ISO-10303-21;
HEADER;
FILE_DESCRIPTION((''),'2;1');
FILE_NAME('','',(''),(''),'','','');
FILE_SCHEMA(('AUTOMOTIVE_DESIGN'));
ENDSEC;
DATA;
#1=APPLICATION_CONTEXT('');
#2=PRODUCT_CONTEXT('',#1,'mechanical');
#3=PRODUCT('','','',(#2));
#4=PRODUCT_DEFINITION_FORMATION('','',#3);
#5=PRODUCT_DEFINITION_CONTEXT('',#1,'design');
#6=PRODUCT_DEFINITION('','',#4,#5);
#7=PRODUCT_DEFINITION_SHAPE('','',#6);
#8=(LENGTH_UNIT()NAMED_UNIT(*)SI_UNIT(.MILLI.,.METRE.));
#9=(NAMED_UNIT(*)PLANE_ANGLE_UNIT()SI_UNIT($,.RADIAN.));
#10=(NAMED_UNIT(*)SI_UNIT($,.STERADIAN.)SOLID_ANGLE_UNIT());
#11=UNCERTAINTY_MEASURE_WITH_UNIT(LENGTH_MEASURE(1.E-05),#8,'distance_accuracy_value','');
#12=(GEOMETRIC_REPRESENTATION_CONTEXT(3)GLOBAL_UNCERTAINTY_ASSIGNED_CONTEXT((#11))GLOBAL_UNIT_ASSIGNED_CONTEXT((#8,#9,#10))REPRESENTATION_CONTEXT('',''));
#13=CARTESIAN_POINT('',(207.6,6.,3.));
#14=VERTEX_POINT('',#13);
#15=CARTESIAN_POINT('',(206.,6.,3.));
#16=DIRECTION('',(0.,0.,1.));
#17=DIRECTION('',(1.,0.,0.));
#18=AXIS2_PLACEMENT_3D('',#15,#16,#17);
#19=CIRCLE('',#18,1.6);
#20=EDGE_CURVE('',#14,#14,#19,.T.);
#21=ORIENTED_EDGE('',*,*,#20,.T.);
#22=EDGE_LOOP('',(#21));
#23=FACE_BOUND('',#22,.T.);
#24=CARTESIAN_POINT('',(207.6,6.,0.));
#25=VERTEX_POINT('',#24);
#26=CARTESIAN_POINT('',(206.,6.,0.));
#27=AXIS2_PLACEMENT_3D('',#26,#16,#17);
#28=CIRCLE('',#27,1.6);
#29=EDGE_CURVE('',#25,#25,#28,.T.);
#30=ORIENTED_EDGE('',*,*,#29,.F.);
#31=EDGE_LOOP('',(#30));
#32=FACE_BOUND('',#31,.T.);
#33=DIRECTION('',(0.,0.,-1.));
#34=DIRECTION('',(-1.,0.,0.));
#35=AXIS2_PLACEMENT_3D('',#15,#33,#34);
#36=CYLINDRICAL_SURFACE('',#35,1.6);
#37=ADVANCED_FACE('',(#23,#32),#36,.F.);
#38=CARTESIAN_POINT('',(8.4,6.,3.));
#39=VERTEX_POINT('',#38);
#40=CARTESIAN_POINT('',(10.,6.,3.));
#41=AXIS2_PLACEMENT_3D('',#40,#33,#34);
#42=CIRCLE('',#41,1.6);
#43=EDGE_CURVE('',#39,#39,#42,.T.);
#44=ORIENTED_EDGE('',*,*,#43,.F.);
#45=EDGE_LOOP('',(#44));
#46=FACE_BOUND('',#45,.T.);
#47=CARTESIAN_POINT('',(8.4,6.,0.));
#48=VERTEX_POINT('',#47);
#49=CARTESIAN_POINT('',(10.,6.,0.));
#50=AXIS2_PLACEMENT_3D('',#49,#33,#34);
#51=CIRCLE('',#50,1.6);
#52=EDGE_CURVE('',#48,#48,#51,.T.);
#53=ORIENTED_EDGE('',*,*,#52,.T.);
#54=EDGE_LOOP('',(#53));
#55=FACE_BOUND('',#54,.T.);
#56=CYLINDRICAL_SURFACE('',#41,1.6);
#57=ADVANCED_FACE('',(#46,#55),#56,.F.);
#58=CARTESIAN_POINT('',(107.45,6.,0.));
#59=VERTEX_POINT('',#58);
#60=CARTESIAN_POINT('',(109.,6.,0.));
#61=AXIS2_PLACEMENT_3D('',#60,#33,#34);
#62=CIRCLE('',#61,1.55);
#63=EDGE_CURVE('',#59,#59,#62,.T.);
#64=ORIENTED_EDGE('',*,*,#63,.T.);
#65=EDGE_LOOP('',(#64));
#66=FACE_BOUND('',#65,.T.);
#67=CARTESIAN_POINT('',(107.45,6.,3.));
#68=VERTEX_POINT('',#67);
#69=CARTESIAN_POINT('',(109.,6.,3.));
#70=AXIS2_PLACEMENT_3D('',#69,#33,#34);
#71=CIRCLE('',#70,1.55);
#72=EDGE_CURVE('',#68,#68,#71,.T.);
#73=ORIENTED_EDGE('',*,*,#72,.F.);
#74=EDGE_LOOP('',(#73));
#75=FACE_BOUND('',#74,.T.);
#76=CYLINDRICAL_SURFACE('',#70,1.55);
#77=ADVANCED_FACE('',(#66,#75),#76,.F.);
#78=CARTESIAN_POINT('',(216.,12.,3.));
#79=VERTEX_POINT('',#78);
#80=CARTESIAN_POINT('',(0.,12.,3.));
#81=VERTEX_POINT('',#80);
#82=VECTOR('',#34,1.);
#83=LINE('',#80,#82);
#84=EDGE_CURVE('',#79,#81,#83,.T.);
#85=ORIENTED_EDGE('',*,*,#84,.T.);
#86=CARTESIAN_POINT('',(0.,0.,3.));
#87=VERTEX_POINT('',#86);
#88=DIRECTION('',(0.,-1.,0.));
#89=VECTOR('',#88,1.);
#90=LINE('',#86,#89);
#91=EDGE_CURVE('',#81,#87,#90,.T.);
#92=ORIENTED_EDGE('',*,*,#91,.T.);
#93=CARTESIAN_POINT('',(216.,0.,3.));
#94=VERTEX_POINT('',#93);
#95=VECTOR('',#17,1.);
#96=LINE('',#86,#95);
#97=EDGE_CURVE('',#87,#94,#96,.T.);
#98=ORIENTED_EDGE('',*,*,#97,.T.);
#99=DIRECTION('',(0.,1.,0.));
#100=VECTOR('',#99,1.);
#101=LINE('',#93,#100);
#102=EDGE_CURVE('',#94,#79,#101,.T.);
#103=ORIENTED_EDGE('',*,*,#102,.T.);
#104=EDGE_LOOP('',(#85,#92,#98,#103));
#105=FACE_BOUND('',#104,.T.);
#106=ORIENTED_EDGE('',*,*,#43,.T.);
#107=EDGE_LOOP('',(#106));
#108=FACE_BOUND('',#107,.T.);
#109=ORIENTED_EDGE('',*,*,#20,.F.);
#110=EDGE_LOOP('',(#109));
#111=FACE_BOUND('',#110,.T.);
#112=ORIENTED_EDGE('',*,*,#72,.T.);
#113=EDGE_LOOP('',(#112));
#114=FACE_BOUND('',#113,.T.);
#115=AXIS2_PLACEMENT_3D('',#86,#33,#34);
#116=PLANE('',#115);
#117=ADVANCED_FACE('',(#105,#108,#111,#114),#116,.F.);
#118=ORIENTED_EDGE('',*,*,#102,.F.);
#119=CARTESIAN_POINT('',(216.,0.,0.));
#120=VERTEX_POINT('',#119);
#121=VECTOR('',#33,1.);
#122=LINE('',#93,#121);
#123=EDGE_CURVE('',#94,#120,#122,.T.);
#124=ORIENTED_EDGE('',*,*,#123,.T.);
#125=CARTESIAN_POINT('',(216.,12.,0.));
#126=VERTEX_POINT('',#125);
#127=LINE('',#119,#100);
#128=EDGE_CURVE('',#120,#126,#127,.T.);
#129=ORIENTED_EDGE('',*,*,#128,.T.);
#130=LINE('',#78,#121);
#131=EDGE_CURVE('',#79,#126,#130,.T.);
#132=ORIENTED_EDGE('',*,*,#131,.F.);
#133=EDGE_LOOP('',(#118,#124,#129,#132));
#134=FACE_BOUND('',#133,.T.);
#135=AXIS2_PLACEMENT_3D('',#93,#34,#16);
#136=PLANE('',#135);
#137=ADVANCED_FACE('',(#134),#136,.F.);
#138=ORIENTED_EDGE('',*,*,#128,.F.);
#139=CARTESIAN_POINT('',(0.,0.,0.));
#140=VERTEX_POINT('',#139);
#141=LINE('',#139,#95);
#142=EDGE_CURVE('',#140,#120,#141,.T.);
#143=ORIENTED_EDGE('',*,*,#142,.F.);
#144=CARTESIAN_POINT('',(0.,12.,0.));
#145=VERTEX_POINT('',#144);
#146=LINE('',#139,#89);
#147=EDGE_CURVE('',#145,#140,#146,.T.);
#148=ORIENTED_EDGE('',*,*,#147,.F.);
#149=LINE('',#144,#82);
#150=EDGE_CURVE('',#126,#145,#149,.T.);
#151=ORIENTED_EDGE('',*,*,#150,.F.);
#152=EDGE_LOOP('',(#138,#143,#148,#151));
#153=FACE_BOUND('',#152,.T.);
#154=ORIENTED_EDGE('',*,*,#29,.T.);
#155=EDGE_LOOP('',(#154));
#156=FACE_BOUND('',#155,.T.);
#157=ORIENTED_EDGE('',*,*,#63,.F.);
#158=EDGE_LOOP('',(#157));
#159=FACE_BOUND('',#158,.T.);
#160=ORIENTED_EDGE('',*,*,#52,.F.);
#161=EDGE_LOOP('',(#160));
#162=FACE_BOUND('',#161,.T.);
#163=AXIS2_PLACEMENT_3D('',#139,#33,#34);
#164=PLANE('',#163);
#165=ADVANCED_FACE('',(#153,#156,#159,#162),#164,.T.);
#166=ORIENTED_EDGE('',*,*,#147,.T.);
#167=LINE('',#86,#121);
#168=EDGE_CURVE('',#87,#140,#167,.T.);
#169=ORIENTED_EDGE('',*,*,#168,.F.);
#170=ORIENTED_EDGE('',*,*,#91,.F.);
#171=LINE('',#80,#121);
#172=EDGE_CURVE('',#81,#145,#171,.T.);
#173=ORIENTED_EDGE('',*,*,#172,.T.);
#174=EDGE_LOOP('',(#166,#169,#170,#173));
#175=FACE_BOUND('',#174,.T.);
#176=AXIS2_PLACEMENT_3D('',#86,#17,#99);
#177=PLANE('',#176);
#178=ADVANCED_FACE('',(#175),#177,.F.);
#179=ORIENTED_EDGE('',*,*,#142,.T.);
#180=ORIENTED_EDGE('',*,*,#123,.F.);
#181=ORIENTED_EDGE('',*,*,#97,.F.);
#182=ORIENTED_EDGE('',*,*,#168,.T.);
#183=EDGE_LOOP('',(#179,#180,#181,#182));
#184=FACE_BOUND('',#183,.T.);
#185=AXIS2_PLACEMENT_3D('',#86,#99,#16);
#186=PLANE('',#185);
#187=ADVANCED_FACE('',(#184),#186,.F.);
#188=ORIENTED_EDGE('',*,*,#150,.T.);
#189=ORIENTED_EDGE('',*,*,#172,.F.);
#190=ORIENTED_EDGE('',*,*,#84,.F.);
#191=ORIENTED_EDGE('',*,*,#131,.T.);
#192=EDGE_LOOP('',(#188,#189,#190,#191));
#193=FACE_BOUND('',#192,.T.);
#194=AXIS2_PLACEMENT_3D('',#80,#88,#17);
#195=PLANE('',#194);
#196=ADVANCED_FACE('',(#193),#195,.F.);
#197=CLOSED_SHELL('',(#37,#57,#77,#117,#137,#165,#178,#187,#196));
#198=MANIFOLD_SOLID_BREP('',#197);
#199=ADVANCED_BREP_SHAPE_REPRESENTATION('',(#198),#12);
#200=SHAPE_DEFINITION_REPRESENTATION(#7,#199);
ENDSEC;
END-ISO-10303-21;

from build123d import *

# Parameters (mm, degrees)
SKETCH2_W           = 216
SKETCH2_H           = 12
SKETCH2_R           = 1.6
BOSS_EXTRUDE1_DEPTH = 3
SKETCH4_R           = 1.55
SKETCH4_R_2         = 1.6
CUT_EXTRUDE1_DEPTH  = 4


with BuildPart() as part:
    # Sketch2 → Boss-Extrude1 (new body)
    with BuildSketch(Plane.XY):
        with Locations((108, 6)):
            Rectangle(SKETCH2_W, SKETCH2_H)
        with Locations((206, 6)):
            Circle(SKETCH2_R, mode=Mode.SUBTRACT)
    extrude(amount=BOSS_EXTRUDE1_DEPTH)

    # Sketch4 → Cut-Extrude1 (cut, through all)
    with BuildSketch(Plane(origin=(0, 0, 0), x_dir=(-1, 0, 0), z_dir=(0, 0, -1))):
        with Locations((-109, 6)):
            Circle(SKETCH4_R)
        with Locations((-10, 6)):
            Circle(SKETCH4_R_2)
    extrude(amount=-CUT_EXTRUDE1_DEPTH, mode=Mode.SUBTRACT)


solid = part.part
